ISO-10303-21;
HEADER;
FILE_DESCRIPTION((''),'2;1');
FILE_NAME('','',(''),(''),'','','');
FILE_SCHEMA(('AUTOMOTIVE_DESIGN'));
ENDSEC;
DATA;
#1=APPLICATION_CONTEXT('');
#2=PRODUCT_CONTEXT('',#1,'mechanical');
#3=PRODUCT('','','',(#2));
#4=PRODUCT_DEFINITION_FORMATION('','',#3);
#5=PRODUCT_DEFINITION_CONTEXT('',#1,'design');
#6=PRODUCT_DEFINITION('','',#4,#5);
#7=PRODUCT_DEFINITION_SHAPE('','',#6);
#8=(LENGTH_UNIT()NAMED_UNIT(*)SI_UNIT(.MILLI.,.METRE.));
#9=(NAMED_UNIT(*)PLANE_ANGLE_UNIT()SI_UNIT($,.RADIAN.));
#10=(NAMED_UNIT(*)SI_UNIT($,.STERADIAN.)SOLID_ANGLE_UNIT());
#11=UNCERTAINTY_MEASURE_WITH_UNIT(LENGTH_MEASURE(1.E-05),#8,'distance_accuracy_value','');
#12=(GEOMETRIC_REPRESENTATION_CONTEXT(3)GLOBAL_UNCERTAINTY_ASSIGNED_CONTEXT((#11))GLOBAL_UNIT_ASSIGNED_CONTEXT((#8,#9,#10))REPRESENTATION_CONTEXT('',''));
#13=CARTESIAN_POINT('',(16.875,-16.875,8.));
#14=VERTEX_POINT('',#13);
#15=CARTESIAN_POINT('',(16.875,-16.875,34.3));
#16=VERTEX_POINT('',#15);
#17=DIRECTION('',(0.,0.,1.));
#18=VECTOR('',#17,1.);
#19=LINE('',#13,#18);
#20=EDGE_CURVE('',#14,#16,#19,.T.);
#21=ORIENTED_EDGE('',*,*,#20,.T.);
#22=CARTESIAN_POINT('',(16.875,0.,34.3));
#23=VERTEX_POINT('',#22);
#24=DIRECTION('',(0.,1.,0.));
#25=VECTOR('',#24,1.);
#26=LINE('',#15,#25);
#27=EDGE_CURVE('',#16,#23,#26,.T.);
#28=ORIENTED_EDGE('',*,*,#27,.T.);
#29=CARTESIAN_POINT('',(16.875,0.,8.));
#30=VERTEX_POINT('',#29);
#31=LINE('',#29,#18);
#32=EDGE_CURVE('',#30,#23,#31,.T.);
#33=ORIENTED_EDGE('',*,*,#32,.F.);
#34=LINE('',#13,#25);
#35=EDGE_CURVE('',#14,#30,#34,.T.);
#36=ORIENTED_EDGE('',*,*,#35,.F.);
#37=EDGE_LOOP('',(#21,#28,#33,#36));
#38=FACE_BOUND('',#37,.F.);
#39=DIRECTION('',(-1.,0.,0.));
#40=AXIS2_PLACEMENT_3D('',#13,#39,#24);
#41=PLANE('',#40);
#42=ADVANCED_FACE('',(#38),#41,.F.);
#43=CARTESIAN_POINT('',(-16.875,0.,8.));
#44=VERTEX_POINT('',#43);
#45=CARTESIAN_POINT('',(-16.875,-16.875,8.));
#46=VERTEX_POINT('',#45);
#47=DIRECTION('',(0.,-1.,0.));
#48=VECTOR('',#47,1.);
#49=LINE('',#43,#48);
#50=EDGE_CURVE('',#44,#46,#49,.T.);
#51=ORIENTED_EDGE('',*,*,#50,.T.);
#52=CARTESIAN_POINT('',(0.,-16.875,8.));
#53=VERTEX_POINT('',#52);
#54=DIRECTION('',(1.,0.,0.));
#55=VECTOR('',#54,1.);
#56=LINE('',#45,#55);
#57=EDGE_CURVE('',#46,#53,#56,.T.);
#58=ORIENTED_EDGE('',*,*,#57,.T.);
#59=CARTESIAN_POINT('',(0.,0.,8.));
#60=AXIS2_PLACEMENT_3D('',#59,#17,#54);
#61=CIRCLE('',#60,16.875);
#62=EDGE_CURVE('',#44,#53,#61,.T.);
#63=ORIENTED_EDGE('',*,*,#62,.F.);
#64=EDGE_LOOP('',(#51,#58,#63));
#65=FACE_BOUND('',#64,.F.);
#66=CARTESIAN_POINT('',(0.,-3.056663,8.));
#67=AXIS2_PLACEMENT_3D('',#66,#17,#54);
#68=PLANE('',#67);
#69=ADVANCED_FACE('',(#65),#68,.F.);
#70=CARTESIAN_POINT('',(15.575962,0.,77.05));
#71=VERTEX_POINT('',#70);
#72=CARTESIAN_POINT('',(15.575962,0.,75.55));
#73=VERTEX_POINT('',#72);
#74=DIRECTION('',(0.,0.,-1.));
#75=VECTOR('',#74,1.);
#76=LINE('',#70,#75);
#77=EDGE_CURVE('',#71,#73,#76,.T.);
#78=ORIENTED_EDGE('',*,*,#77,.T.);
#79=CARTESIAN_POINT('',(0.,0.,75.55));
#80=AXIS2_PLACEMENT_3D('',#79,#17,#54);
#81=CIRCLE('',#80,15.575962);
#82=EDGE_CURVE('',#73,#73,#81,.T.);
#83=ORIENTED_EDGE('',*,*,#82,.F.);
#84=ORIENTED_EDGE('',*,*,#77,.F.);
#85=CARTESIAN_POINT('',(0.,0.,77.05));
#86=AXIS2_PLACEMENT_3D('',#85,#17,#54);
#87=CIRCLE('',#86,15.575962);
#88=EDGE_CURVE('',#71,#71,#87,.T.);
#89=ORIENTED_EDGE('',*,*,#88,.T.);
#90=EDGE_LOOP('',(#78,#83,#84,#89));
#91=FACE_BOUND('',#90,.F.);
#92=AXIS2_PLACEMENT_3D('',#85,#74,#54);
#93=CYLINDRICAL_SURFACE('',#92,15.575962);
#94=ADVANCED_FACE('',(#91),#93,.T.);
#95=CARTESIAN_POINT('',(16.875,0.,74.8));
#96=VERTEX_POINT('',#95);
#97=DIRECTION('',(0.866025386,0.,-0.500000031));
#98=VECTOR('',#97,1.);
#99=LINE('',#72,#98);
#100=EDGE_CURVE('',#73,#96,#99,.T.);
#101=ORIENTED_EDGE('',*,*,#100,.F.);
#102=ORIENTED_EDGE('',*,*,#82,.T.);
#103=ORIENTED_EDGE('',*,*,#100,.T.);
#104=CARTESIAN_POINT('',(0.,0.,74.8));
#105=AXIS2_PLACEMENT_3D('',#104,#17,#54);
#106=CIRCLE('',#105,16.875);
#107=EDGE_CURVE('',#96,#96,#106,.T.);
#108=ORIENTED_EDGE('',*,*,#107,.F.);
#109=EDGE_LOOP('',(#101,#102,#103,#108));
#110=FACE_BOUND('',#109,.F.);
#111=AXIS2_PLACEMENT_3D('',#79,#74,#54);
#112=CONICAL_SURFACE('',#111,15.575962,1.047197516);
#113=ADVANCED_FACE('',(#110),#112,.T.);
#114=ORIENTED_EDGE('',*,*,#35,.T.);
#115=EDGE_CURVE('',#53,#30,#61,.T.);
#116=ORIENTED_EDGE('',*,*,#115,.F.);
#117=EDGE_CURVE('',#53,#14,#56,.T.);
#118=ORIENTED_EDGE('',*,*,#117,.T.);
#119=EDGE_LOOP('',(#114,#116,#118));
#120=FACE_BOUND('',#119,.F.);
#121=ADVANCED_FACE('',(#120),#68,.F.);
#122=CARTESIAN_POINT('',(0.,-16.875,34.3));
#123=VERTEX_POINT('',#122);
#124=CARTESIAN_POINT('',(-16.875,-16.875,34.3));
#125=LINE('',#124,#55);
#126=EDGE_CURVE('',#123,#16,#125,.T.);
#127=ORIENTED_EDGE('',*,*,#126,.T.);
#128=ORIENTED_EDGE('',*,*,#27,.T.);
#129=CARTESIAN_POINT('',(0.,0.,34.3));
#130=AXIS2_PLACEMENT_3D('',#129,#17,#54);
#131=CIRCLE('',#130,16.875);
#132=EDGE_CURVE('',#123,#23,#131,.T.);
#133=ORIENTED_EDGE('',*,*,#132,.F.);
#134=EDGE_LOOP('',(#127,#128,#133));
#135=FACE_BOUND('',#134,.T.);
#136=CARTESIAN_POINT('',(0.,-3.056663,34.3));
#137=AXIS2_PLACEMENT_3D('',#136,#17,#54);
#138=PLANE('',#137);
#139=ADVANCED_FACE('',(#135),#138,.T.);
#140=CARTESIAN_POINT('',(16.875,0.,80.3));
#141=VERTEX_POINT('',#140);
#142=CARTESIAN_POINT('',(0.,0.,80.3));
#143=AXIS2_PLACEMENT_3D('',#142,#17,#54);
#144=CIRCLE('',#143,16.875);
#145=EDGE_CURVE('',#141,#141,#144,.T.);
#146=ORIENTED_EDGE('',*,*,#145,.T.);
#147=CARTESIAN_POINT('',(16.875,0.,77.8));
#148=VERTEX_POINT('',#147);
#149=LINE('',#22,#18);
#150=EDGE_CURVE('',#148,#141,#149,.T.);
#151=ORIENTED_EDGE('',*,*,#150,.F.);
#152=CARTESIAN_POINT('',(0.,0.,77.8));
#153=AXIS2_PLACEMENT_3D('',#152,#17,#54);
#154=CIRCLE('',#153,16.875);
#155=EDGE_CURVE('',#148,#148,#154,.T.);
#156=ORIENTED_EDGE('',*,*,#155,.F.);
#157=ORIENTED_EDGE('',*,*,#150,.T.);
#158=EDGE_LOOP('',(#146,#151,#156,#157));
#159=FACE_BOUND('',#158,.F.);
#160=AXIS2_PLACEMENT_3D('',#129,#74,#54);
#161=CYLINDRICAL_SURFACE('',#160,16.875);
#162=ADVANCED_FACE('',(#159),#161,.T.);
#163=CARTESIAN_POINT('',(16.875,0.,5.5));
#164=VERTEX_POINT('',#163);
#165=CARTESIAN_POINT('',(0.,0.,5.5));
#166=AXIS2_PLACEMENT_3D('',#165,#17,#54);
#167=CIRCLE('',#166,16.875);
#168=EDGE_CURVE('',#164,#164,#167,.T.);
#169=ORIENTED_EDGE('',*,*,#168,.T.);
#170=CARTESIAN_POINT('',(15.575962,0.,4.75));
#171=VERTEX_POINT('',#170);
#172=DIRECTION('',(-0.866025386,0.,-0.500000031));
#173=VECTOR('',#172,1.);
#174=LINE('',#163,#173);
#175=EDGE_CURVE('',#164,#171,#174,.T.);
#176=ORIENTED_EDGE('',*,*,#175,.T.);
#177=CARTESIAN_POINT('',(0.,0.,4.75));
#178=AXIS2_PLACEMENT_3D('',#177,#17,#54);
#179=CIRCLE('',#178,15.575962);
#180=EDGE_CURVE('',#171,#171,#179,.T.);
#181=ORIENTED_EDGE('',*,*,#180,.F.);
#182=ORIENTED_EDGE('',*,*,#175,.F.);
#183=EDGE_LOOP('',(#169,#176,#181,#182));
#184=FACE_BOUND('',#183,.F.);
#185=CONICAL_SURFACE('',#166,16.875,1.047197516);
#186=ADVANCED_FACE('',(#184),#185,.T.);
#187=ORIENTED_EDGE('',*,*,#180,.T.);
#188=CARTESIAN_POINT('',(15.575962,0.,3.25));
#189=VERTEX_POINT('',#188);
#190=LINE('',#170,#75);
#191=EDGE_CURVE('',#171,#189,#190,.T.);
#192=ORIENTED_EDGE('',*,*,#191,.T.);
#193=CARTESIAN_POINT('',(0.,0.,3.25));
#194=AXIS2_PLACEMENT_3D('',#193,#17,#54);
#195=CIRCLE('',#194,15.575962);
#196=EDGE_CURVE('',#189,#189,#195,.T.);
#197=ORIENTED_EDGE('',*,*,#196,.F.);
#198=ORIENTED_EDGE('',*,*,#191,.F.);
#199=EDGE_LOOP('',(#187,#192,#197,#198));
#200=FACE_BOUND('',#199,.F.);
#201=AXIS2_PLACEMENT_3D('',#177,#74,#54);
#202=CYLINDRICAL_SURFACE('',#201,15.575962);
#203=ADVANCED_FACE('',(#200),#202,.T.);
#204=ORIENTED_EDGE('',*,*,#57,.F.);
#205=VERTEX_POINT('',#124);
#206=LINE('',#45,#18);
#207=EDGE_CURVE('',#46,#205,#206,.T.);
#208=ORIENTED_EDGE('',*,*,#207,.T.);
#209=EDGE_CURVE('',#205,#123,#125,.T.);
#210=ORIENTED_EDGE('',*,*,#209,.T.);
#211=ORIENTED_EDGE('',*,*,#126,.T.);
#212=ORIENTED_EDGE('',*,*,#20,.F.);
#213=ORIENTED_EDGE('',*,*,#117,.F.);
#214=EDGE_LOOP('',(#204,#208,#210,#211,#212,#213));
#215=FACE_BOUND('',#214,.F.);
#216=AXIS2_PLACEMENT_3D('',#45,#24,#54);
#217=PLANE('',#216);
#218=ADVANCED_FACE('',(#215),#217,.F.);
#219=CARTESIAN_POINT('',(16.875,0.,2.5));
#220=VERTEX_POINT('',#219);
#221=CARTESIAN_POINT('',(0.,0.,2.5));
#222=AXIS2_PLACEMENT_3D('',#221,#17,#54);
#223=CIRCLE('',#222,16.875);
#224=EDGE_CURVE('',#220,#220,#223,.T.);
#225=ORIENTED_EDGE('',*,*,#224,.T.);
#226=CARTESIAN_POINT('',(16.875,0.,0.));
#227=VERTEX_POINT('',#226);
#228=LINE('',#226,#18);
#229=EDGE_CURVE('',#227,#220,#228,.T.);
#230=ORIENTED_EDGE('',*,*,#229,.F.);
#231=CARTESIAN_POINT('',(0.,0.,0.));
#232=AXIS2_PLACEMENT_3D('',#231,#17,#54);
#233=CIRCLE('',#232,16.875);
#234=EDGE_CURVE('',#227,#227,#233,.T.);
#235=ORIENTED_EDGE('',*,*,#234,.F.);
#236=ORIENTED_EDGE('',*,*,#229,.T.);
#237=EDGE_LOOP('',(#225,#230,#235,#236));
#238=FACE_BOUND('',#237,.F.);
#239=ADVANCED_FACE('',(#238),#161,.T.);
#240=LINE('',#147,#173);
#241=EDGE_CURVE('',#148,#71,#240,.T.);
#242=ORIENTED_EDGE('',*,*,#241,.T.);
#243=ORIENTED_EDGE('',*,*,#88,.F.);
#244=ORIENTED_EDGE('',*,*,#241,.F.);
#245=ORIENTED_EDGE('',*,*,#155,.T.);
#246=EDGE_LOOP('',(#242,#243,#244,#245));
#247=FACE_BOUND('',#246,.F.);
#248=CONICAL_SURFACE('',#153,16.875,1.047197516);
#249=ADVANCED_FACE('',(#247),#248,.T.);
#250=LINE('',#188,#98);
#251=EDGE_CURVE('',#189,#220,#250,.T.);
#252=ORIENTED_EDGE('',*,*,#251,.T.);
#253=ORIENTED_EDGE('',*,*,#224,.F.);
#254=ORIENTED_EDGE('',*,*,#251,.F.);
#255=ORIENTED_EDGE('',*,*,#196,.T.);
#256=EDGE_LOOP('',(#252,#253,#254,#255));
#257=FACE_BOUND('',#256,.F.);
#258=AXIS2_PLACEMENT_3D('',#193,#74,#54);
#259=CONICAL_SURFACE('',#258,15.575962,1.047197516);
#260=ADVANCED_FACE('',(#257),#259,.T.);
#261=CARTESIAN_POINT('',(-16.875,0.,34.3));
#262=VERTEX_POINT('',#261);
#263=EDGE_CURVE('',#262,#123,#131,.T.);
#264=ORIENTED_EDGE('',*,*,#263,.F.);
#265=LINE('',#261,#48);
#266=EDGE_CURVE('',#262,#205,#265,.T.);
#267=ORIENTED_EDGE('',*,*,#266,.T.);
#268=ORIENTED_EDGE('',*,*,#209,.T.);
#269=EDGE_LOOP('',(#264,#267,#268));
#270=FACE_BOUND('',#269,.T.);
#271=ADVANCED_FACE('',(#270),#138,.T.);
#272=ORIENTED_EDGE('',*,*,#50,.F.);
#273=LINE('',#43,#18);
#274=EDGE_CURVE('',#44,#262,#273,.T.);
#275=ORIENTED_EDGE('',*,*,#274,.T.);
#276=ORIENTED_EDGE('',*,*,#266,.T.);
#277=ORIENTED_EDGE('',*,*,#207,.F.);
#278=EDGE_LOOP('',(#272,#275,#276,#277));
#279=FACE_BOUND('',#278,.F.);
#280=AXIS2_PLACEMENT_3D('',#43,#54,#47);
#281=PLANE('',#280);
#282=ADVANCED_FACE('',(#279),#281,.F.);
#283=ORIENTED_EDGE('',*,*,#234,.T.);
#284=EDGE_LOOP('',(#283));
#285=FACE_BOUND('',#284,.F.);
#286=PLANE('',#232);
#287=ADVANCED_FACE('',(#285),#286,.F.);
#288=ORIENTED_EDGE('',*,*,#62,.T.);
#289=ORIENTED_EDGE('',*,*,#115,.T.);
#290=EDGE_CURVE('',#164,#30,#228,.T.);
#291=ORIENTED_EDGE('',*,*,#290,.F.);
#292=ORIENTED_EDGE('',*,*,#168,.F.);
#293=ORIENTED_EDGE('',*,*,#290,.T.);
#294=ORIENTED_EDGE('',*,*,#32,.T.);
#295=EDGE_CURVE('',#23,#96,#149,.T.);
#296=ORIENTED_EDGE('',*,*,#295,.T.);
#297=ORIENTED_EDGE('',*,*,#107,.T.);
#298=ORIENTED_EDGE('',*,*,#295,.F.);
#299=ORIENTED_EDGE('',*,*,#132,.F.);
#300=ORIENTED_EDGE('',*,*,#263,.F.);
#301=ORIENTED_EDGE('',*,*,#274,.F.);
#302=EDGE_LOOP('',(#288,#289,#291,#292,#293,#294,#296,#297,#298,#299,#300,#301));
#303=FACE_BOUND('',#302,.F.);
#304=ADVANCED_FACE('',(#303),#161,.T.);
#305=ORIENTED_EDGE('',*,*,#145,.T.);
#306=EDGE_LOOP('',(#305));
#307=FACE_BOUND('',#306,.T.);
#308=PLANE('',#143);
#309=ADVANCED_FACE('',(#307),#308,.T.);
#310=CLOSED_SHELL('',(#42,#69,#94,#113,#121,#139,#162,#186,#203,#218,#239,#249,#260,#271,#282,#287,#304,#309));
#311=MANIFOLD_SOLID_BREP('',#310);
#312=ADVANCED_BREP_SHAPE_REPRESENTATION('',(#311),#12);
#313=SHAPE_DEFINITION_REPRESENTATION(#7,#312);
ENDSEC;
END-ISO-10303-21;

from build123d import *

# Parameters (mm, degrees)
SKETCH010_R  = 16.875
PAD002_DEPTH = 8
PAD003_DEPTH = 26.3
SKETCH012_R  = 16.875
PAD004_DEPTH = 46


with BuildPart() as part:
    # Sketch010 → Pad002 (new body)
    with BuildSketch(Plane.XY):
        Circle(SKETCH010_R)
    extrude(amount=PAD002_DEPTH)

    # Sketch011 (on Face3 of Pad002) → Pad003 (join)
    with BuildSketch(Plane.XY.offset(8)):
        with BuildLine():
            Line((-16.875, 0), (-16.875, -16.875))
            Line((-16.875, -16.875), (16.875, -16.875))
            Line((16.875, -16.875), (16.875, 0))
            ThreePointArc((16.875, 0), (0, 16.875), (-16.875, 0))
        make_face()
    extrude(amount=PAD003_DEPTH)

    # Sketch012 (on Face6 of Pad003) → Pad004 (join)
    with BuildSketch(Plane.XY.offset(34.3)):
        Circle(SKETCH012_R)
    extrude(amount=PAD004_DEPTH)

    # Sketch013 → Groove (revolve, cut)
    with BuildSketch(Plane.XZ):
        Polygon((18.174038, 75.55), (18.174038, 77.05), (16.875, 77.8), (15.575962, 77.05), (15.575962, 75.55), (16.875, 74.8), align=None)
        Polygon((18.174038, 3.25), (18.174038, 4.75), (16.875, 5.5), (15.575962, 4.75), (15.575962, 3.25), (16.875, 2.5), align=None)
    revolve(axis=Axis((0, 0, 0), (0, 0, 1)), mode=Mode.SUBTRACT)


solid = part.part
